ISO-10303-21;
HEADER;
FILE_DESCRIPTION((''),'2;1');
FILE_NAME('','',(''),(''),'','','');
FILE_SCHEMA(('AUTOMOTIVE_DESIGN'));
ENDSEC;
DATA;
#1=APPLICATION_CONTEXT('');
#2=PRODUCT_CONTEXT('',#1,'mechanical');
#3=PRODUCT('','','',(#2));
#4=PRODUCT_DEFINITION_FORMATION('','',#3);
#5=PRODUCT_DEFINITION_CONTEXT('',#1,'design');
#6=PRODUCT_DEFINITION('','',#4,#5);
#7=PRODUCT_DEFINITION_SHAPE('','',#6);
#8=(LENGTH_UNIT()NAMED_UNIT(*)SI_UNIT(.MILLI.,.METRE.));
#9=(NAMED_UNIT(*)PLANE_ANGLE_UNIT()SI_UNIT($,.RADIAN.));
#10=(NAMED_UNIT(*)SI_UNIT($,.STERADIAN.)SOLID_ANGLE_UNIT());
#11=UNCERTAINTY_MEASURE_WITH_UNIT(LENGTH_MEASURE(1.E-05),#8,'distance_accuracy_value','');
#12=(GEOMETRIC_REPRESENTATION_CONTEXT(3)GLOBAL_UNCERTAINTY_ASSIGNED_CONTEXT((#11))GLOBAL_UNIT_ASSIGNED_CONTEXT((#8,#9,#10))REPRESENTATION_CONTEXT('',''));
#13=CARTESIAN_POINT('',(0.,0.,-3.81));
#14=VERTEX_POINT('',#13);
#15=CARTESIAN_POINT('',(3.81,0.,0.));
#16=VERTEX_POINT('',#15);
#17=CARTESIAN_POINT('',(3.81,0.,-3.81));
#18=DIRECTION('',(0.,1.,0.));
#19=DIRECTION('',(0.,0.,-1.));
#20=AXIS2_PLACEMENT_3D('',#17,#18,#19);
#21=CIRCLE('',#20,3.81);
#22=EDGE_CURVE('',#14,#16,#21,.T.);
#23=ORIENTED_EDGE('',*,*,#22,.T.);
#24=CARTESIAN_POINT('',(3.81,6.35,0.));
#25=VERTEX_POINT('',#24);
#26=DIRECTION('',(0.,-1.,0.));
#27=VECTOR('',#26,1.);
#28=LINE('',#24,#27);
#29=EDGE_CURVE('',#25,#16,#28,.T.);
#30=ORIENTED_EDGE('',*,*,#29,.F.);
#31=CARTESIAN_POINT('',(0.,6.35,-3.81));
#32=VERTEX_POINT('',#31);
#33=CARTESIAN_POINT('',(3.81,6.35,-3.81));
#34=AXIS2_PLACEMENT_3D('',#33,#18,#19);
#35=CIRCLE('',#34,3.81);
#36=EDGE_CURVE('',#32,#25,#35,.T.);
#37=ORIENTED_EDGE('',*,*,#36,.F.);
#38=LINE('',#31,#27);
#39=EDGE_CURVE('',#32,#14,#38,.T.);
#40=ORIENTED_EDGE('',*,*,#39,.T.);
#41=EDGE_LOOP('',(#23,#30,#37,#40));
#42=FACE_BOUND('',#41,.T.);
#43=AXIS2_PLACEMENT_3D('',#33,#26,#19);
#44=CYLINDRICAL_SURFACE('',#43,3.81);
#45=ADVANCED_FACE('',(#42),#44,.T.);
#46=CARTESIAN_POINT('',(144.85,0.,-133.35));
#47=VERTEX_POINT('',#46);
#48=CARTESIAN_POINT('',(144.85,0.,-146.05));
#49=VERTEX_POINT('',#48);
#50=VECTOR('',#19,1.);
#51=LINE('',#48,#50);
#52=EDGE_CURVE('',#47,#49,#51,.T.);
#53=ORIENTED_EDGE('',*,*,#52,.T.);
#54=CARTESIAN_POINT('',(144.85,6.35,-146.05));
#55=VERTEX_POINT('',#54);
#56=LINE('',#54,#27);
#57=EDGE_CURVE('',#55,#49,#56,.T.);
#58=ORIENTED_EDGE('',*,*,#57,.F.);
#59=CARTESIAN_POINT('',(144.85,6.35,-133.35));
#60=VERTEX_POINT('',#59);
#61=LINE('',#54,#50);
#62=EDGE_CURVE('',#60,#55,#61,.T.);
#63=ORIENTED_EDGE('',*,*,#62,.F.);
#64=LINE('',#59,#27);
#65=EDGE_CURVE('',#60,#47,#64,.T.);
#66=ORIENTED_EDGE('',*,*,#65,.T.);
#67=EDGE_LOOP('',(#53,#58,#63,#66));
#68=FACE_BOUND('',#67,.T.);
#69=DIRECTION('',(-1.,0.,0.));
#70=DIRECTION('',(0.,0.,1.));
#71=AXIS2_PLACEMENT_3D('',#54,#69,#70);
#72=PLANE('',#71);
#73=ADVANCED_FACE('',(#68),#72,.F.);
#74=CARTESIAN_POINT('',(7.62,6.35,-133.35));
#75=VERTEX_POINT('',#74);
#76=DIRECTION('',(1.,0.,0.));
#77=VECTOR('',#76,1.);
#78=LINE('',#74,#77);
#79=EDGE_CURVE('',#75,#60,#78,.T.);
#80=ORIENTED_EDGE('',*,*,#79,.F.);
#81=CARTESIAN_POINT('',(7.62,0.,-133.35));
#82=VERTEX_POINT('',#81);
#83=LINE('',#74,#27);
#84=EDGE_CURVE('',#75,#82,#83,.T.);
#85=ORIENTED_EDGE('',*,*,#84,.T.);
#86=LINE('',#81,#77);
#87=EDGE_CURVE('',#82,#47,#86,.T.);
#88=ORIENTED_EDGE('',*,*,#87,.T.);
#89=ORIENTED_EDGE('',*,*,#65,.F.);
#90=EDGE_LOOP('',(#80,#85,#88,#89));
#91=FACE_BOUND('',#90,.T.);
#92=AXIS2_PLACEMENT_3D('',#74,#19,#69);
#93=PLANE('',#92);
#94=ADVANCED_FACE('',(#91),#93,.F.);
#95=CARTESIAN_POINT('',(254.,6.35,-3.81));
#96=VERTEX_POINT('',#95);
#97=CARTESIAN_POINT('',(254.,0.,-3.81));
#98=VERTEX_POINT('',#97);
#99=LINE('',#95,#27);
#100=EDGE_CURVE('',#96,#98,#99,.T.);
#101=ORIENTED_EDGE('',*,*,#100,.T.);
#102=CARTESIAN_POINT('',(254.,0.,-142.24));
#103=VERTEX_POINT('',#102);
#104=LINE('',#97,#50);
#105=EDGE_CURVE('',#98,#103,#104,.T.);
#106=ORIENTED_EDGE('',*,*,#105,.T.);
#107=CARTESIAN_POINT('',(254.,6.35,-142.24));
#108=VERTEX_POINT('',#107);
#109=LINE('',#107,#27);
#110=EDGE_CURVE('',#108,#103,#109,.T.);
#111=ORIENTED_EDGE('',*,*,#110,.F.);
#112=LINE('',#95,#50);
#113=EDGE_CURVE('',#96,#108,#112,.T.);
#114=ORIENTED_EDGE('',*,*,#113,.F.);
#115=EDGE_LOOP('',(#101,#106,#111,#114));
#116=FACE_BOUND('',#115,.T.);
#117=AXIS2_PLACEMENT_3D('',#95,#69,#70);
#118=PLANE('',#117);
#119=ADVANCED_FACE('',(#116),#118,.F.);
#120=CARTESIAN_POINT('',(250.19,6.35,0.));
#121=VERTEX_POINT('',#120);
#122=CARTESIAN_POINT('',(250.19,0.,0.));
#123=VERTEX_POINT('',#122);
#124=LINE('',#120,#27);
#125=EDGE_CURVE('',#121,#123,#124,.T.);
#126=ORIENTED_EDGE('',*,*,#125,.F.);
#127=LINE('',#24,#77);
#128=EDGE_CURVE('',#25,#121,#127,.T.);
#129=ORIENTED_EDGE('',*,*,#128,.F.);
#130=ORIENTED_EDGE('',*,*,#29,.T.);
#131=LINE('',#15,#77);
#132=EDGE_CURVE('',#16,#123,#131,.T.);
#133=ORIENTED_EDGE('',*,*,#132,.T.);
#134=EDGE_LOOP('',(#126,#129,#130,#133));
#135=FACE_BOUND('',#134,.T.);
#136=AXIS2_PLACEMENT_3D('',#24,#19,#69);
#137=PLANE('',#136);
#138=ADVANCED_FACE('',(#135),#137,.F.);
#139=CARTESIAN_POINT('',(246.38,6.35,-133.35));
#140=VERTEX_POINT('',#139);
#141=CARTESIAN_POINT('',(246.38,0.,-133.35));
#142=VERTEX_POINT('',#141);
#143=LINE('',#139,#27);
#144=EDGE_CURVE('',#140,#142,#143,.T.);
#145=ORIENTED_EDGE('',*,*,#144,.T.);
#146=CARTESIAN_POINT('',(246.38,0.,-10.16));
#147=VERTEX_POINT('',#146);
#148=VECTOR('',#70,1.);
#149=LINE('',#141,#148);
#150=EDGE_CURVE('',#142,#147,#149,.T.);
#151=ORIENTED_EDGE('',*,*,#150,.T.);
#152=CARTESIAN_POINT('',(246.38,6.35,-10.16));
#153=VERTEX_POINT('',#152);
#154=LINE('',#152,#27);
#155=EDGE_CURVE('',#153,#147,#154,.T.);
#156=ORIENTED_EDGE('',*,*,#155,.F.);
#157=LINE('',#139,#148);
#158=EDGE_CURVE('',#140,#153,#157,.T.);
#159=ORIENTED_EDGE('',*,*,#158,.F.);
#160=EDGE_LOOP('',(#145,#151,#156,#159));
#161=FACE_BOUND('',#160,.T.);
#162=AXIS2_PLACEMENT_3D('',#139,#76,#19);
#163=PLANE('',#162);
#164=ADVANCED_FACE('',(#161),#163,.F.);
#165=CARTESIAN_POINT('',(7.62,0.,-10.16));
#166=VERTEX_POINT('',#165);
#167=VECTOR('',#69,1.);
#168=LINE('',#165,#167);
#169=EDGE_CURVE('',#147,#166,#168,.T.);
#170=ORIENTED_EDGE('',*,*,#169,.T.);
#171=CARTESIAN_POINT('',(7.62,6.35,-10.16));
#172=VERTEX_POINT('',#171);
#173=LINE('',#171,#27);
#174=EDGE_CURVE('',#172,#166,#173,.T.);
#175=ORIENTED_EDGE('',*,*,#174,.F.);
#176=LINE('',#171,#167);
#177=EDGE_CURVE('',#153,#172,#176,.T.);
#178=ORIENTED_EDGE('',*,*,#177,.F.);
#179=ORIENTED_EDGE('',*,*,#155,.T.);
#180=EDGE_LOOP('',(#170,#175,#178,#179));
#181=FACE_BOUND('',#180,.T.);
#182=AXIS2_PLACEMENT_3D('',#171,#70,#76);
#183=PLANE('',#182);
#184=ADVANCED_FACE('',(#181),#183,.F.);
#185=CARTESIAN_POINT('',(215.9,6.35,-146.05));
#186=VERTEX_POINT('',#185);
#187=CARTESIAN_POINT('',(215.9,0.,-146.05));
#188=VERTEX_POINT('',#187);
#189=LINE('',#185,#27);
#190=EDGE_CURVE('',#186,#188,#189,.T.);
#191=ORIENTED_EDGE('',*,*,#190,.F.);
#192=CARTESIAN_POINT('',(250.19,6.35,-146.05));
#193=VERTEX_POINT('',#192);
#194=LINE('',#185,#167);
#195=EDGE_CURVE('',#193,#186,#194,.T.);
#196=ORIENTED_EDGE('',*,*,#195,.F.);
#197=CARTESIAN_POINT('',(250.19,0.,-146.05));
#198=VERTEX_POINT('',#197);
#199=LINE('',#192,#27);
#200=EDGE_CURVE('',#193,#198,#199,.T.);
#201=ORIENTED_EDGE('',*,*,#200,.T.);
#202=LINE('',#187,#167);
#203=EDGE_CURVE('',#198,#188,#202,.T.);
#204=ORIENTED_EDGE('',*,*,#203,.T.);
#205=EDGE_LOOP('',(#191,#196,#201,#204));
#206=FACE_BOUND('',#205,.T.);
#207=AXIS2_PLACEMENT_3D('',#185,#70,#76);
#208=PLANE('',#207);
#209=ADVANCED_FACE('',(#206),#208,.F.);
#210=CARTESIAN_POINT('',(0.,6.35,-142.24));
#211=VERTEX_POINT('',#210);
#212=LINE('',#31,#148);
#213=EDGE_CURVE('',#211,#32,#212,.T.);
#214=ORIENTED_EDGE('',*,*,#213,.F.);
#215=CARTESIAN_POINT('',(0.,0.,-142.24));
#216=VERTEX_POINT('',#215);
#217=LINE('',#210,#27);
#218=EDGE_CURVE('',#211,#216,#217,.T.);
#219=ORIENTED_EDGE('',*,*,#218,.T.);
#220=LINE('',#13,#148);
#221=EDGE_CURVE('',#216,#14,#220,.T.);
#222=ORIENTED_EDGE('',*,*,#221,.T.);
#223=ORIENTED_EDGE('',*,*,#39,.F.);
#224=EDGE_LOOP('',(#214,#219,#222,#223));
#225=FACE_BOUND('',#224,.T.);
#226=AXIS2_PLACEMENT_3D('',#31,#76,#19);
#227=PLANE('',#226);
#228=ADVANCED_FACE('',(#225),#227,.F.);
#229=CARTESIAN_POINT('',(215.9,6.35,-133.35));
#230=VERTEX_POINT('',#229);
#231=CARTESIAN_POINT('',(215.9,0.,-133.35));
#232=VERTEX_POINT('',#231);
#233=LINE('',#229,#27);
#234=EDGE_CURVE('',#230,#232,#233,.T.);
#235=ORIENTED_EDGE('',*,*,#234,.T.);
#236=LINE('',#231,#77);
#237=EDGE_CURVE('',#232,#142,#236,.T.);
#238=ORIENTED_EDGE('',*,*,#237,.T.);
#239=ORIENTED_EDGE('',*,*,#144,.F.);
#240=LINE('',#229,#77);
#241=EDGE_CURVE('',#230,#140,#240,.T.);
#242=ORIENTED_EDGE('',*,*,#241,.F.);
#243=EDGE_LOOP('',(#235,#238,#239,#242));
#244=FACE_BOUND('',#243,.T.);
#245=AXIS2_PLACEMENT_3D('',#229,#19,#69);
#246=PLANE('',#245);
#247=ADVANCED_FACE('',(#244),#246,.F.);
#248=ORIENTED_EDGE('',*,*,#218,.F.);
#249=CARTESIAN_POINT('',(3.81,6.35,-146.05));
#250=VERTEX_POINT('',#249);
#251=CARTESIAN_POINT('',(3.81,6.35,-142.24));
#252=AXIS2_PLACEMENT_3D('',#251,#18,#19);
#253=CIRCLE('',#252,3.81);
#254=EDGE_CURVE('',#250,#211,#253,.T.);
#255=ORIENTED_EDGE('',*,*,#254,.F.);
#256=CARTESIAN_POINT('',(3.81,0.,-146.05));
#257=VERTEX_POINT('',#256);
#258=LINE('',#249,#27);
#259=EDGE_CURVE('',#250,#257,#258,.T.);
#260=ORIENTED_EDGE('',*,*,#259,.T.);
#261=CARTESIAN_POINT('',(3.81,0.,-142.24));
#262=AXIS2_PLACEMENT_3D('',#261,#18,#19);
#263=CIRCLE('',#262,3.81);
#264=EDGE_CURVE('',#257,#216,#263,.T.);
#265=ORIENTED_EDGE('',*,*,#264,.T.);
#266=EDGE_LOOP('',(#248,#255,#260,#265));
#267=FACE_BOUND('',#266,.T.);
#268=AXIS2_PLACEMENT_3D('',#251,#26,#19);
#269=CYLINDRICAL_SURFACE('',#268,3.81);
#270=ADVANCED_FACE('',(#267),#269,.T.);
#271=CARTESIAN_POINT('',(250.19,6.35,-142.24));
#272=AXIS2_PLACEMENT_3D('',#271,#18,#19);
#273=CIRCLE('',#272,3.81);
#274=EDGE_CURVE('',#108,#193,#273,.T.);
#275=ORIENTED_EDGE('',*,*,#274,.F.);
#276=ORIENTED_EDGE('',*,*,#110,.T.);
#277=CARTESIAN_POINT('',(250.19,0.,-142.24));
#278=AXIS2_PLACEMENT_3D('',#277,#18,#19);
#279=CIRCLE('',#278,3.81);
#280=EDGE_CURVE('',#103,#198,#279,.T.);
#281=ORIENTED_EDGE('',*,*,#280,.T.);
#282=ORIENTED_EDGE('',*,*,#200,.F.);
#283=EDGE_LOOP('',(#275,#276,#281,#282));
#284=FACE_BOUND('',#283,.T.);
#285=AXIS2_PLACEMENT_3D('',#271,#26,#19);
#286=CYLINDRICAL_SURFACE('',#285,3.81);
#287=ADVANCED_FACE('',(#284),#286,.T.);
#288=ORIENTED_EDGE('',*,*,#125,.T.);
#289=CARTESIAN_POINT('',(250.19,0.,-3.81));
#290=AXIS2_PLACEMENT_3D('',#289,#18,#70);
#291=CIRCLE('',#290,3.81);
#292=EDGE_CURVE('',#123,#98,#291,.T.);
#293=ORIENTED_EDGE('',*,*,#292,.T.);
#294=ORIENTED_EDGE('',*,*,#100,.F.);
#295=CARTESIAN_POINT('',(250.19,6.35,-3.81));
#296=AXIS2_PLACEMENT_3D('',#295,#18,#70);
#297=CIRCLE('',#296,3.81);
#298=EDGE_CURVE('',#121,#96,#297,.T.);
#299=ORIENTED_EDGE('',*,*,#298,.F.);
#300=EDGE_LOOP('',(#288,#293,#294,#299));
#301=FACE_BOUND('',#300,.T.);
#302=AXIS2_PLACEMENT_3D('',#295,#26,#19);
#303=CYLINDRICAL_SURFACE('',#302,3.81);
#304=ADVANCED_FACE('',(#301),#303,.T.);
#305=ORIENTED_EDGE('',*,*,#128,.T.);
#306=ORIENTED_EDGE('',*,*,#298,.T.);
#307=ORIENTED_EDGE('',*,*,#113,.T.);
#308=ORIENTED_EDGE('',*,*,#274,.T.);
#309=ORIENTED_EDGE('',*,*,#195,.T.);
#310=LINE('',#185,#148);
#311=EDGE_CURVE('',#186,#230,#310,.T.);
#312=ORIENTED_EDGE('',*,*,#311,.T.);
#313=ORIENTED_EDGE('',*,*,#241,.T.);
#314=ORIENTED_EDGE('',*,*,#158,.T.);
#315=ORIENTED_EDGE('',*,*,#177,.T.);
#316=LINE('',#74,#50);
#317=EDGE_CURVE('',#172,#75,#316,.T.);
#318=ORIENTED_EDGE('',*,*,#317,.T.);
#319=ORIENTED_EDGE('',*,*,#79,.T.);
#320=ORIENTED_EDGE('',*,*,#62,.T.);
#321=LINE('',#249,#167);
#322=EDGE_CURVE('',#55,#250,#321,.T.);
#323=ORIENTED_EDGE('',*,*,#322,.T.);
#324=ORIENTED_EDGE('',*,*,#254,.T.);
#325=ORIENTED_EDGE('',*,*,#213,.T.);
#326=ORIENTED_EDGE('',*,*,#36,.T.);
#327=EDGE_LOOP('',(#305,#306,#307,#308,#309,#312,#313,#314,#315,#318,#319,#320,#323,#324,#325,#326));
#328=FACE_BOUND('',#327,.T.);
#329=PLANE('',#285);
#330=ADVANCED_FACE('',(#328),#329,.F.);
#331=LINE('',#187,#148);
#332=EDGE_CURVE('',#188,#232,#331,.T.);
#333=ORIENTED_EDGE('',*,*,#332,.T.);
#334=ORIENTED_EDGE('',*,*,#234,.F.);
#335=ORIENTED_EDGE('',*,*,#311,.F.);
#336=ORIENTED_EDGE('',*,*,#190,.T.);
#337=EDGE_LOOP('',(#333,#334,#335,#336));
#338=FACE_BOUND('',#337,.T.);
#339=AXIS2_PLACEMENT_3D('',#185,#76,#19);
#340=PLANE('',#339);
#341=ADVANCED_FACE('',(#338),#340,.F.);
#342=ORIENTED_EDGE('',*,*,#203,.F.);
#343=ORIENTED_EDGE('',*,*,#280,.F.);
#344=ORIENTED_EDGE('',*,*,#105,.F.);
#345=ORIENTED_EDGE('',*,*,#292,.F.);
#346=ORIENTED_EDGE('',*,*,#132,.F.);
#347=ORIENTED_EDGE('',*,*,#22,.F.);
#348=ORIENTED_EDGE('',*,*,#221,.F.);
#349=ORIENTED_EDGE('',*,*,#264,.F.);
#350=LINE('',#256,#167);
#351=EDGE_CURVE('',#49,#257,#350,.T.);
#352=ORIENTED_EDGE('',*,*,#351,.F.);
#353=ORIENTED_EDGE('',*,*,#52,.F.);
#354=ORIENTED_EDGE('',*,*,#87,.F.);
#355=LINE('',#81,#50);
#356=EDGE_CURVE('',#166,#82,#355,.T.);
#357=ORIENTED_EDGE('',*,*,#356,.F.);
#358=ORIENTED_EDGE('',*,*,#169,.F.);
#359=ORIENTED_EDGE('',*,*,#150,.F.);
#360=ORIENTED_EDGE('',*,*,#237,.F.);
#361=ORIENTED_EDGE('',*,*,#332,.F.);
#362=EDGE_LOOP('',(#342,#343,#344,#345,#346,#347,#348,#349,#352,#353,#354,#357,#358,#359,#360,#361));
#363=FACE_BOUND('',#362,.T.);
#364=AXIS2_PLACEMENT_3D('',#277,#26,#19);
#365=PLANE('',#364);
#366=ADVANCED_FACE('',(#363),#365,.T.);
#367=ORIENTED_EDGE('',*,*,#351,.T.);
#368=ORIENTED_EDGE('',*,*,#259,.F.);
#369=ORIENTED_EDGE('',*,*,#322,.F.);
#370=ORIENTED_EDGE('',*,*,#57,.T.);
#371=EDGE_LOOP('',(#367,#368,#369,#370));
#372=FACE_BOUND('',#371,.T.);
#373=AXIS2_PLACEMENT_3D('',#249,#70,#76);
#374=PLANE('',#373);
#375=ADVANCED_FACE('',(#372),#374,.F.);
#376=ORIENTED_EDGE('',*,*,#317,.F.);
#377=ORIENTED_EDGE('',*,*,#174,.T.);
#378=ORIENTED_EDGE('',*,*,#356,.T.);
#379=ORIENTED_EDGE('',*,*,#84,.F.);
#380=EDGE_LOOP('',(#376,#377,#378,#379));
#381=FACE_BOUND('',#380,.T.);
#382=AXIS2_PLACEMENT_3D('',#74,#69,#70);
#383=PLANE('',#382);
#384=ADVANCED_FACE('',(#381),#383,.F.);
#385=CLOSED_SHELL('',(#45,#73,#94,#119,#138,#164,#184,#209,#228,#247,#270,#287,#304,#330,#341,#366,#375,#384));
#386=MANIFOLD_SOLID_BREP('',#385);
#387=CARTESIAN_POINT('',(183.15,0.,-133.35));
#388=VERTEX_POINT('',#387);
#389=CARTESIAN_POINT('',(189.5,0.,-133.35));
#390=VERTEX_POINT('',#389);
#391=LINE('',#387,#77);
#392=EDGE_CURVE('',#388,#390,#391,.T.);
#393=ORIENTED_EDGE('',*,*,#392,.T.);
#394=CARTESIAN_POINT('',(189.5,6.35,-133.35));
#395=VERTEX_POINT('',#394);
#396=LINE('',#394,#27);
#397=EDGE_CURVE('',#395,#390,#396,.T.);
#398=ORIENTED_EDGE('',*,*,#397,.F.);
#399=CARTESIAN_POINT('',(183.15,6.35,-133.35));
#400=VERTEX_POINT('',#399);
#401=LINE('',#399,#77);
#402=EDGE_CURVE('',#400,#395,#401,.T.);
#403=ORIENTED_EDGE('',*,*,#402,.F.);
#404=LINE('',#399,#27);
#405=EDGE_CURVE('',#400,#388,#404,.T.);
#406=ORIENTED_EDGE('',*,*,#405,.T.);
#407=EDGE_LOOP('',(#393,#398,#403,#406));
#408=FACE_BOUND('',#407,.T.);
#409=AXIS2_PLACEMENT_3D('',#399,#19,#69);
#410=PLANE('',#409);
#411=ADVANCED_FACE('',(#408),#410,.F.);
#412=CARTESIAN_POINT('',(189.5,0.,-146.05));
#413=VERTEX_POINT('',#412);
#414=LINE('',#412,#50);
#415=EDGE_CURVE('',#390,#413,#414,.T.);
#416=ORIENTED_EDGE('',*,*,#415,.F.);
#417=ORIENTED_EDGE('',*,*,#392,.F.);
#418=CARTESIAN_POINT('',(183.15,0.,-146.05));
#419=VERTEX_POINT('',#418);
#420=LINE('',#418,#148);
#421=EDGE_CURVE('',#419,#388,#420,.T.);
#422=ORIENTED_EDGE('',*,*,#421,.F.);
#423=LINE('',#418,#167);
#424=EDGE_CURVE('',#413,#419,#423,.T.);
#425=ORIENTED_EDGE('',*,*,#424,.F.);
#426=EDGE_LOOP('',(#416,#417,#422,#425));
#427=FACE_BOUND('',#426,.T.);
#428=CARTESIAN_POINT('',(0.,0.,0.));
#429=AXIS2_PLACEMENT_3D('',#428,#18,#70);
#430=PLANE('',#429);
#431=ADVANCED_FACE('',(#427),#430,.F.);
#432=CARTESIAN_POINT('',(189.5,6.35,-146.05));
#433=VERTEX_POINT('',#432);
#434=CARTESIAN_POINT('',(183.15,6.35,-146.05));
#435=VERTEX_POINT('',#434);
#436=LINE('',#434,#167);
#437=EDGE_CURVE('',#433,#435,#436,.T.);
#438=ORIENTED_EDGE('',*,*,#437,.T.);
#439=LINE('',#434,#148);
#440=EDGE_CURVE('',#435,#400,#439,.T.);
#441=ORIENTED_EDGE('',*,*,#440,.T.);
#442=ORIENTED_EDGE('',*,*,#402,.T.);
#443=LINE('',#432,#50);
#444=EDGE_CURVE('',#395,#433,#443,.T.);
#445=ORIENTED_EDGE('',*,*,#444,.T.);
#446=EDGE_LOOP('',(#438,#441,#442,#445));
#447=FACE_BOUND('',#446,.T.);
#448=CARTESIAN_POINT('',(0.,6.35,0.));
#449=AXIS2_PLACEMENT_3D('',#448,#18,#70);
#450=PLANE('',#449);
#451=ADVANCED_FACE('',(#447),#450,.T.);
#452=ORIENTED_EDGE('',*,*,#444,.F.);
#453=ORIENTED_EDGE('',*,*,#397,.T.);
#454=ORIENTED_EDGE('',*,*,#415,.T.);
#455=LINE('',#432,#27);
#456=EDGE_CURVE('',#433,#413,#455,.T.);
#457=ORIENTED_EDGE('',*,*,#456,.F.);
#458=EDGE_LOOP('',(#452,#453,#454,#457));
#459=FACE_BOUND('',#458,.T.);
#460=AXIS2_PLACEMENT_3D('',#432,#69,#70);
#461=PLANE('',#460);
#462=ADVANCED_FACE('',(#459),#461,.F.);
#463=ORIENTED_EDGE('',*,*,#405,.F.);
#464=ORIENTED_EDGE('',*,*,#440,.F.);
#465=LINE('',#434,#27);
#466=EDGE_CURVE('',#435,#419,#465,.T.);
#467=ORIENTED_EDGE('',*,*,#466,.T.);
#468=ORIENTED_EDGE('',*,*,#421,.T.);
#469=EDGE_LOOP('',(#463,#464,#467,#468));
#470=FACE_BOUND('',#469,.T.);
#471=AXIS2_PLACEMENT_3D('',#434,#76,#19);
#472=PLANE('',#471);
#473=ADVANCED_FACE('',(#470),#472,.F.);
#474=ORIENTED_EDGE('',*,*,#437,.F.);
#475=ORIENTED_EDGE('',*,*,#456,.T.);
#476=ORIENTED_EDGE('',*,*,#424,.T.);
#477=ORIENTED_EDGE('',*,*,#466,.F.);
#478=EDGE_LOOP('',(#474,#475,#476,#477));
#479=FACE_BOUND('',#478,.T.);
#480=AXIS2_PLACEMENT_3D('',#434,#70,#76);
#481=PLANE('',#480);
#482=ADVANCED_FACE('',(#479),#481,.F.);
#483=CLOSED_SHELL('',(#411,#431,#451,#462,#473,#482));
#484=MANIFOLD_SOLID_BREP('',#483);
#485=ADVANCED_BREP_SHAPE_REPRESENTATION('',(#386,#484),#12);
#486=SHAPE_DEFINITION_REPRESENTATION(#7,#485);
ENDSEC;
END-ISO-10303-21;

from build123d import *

# Parameters (mm, degrees)
SKETCH1_W             = 6.35
SKETCH1_H             = 12.7
BOSS_EXTRUDE1_DEPTH   = 6.35
BOSS_EXTRUDE1_2_DEPTH = 6.35


with BuildPart() as part:
    # Sketch1 → Boss-Extrude1 (new body)
    with BuildSketch(Plane(origin=(0, 0, 0), x_dir=(1, 0, 0), z_dir=(0, 1, 0))):
        with Locations((186.325, 139.7)):
            Rectangle(SKETCH1_W, SKETCH1_H)
    extrude(amount=BOSS_EXTRUDE1_DEPTH)


with BuildPart() as body_2:
    # Sketch1 → Boss-Extrude1 2 (new body)
    with BuildSketch(Plane(origin=(0, 0, 0), x_dir=(1, 0, 0), z_dir=(0, 1, 0))):
        with BuildLine():
            Line((3.81, 0), (250.19, 0))
            ThreePointArc((250.19, 0), (252.884076836, 1.115923164), (254, 3.81))
            Line((254, 3.81), (254, 142.24))
            ThreePointArc((254, 142.24), (252.884076836, 144.934076836), (250.19, 146.05))
            Line((250.19, 146.05), (215.9, 146.05))
            Line((215.9, 146.05), (215.9, 133.35))
            Line((215.9, 133.35), (246.38, 133.35))
            Line((246.38, 133.35), (246.38, 10.16))
            Line((246.38, 10.16), (7.62, 10.16))
            Line((7.62, 10.16), (7.62, 133.35))
            Line((7.62, 133.35), (144.85, 133.35))
            Line((144.85, 133.35), (144.85, 146.05))
            Line((144.85, 146.05), (3.81, 146.05))
            ThreePointArc((3.81, 146.05), (1.115923164, 144.934076836), (0, 142.24))
            Line((0, 142.24), (0, 3.81))
            ThreePointArc((0, 3.81), (1.115923164, 1.115923164), (3.81, 0))
        make_face()
    extrude(amount=BOSS_EXTRUDE1_2_DEPTH)


solid = Compound([part.part, body_2.part])
